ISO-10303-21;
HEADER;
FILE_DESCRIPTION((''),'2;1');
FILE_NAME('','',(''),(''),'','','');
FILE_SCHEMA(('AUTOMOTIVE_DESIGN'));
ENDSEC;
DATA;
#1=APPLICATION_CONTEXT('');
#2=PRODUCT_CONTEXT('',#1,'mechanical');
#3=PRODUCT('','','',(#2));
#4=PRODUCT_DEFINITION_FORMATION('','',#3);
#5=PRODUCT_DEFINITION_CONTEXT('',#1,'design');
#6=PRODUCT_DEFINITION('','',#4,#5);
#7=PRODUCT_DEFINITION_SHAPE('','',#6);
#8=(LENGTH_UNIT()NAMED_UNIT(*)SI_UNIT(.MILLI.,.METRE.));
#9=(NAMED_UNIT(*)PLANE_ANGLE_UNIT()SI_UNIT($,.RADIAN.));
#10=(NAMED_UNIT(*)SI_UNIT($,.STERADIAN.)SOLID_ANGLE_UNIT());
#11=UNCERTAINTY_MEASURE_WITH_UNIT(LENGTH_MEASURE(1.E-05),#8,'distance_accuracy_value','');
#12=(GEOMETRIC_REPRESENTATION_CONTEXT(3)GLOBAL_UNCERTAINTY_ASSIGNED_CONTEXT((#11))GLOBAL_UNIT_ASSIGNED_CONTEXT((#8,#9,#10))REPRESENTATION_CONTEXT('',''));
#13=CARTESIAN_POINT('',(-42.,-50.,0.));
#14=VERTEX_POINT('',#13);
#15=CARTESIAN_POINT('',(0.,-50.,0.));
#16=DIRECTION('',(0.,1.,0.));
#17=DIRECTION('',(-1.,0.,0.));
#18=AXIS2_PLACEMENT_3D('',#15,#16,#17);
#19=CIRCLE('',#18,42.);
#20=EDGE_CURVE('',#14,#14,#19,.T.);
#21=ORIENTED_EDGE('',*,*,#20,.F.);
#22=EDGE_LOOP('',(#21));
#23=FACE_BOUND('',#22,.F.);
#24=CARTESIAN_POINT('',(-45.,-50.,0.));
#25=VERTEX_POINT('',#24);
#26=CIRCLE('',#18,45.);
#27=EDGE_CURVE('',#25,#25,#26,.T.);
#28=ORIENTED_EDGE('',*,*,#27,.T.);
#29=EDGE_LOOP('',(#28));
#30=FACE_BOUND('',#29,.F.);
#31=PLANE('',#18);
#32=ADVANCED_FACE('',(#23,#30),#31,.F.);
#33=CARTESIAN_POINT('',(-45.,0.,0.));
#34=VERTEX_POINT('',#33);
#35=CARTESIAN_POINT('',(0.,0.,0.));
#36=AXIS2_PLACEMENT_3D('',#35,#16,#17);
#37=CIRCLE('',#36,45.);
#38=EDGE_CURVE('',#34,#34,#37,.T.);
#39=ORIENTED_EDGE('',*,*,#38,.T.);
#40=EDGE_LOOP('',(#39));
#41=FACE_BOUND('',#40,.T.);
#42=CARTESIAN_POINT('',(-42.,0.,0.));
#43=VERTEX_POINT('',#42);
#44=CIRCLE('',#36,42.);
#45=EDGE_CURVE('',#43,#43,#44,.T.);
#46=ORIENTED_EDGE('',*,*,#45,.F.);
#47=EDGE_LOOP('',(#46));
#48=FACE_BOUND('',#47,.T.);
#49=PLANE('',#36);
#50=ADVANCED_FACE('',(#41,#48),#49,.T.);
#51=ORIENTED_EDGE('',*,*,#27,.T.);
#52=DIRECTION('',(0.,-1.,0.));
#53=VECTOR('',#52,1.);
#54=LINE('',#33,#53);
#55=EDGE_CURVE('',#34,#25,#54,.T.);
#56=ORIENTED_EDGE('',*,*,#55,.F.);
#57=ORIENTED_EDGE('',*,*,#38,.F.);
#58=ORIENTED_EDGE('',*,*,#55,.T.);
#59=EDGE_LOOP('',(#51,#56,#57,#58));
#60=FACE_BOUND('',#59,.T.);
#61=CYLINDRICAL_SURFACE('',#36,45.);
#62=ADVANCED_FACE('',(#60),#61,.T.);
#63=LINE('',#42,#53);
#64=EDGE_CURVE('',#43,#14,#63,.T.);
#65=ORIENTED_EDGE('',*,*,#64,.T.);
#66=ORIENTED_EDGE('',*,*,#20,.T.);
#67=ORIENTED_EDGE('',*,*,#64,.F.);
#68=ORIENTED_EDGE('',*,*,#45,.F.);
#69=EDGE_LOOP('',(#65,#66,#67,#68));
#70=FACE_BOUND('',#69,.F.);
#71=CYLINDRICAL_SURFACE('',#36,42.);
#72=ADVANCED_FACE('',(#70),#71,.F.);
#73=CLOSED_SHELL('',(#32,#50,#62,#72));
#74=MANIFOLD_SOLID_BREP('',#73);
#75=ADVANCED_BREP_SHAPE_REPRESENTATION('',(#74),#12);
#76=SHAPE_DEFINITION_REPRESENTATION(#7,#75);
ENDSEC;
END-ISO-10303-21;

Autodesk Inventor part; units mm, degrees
ref_plane "YZ Plane" through (0, 0, 0) normal (1, 0, 0) x (0, 1, 0)
ref_plane "XZ Plane" through (0, 0, 0) normal (0, 1, 0) x (-1, 0, 0)
ref_plane "XY Plane" through (0, 0, 0) normal (0, 0, 1) x (1, 0, 0)
sketch "Sketch1" plane through (0, 0, 0) normal (0, 1, 0) x (-1, 0, 0)
  circle A0 centre (0, 0) radius 45
  circle A1 centre (0, 0) radius 42
  dimension "d0" = 90
  dimension "d1" = 3
extrude "Extrusion1" add sketch "Sketch1" against normal blind 50
properties part number "TZS 0911 hatch tube 500mm" material "Steel"
